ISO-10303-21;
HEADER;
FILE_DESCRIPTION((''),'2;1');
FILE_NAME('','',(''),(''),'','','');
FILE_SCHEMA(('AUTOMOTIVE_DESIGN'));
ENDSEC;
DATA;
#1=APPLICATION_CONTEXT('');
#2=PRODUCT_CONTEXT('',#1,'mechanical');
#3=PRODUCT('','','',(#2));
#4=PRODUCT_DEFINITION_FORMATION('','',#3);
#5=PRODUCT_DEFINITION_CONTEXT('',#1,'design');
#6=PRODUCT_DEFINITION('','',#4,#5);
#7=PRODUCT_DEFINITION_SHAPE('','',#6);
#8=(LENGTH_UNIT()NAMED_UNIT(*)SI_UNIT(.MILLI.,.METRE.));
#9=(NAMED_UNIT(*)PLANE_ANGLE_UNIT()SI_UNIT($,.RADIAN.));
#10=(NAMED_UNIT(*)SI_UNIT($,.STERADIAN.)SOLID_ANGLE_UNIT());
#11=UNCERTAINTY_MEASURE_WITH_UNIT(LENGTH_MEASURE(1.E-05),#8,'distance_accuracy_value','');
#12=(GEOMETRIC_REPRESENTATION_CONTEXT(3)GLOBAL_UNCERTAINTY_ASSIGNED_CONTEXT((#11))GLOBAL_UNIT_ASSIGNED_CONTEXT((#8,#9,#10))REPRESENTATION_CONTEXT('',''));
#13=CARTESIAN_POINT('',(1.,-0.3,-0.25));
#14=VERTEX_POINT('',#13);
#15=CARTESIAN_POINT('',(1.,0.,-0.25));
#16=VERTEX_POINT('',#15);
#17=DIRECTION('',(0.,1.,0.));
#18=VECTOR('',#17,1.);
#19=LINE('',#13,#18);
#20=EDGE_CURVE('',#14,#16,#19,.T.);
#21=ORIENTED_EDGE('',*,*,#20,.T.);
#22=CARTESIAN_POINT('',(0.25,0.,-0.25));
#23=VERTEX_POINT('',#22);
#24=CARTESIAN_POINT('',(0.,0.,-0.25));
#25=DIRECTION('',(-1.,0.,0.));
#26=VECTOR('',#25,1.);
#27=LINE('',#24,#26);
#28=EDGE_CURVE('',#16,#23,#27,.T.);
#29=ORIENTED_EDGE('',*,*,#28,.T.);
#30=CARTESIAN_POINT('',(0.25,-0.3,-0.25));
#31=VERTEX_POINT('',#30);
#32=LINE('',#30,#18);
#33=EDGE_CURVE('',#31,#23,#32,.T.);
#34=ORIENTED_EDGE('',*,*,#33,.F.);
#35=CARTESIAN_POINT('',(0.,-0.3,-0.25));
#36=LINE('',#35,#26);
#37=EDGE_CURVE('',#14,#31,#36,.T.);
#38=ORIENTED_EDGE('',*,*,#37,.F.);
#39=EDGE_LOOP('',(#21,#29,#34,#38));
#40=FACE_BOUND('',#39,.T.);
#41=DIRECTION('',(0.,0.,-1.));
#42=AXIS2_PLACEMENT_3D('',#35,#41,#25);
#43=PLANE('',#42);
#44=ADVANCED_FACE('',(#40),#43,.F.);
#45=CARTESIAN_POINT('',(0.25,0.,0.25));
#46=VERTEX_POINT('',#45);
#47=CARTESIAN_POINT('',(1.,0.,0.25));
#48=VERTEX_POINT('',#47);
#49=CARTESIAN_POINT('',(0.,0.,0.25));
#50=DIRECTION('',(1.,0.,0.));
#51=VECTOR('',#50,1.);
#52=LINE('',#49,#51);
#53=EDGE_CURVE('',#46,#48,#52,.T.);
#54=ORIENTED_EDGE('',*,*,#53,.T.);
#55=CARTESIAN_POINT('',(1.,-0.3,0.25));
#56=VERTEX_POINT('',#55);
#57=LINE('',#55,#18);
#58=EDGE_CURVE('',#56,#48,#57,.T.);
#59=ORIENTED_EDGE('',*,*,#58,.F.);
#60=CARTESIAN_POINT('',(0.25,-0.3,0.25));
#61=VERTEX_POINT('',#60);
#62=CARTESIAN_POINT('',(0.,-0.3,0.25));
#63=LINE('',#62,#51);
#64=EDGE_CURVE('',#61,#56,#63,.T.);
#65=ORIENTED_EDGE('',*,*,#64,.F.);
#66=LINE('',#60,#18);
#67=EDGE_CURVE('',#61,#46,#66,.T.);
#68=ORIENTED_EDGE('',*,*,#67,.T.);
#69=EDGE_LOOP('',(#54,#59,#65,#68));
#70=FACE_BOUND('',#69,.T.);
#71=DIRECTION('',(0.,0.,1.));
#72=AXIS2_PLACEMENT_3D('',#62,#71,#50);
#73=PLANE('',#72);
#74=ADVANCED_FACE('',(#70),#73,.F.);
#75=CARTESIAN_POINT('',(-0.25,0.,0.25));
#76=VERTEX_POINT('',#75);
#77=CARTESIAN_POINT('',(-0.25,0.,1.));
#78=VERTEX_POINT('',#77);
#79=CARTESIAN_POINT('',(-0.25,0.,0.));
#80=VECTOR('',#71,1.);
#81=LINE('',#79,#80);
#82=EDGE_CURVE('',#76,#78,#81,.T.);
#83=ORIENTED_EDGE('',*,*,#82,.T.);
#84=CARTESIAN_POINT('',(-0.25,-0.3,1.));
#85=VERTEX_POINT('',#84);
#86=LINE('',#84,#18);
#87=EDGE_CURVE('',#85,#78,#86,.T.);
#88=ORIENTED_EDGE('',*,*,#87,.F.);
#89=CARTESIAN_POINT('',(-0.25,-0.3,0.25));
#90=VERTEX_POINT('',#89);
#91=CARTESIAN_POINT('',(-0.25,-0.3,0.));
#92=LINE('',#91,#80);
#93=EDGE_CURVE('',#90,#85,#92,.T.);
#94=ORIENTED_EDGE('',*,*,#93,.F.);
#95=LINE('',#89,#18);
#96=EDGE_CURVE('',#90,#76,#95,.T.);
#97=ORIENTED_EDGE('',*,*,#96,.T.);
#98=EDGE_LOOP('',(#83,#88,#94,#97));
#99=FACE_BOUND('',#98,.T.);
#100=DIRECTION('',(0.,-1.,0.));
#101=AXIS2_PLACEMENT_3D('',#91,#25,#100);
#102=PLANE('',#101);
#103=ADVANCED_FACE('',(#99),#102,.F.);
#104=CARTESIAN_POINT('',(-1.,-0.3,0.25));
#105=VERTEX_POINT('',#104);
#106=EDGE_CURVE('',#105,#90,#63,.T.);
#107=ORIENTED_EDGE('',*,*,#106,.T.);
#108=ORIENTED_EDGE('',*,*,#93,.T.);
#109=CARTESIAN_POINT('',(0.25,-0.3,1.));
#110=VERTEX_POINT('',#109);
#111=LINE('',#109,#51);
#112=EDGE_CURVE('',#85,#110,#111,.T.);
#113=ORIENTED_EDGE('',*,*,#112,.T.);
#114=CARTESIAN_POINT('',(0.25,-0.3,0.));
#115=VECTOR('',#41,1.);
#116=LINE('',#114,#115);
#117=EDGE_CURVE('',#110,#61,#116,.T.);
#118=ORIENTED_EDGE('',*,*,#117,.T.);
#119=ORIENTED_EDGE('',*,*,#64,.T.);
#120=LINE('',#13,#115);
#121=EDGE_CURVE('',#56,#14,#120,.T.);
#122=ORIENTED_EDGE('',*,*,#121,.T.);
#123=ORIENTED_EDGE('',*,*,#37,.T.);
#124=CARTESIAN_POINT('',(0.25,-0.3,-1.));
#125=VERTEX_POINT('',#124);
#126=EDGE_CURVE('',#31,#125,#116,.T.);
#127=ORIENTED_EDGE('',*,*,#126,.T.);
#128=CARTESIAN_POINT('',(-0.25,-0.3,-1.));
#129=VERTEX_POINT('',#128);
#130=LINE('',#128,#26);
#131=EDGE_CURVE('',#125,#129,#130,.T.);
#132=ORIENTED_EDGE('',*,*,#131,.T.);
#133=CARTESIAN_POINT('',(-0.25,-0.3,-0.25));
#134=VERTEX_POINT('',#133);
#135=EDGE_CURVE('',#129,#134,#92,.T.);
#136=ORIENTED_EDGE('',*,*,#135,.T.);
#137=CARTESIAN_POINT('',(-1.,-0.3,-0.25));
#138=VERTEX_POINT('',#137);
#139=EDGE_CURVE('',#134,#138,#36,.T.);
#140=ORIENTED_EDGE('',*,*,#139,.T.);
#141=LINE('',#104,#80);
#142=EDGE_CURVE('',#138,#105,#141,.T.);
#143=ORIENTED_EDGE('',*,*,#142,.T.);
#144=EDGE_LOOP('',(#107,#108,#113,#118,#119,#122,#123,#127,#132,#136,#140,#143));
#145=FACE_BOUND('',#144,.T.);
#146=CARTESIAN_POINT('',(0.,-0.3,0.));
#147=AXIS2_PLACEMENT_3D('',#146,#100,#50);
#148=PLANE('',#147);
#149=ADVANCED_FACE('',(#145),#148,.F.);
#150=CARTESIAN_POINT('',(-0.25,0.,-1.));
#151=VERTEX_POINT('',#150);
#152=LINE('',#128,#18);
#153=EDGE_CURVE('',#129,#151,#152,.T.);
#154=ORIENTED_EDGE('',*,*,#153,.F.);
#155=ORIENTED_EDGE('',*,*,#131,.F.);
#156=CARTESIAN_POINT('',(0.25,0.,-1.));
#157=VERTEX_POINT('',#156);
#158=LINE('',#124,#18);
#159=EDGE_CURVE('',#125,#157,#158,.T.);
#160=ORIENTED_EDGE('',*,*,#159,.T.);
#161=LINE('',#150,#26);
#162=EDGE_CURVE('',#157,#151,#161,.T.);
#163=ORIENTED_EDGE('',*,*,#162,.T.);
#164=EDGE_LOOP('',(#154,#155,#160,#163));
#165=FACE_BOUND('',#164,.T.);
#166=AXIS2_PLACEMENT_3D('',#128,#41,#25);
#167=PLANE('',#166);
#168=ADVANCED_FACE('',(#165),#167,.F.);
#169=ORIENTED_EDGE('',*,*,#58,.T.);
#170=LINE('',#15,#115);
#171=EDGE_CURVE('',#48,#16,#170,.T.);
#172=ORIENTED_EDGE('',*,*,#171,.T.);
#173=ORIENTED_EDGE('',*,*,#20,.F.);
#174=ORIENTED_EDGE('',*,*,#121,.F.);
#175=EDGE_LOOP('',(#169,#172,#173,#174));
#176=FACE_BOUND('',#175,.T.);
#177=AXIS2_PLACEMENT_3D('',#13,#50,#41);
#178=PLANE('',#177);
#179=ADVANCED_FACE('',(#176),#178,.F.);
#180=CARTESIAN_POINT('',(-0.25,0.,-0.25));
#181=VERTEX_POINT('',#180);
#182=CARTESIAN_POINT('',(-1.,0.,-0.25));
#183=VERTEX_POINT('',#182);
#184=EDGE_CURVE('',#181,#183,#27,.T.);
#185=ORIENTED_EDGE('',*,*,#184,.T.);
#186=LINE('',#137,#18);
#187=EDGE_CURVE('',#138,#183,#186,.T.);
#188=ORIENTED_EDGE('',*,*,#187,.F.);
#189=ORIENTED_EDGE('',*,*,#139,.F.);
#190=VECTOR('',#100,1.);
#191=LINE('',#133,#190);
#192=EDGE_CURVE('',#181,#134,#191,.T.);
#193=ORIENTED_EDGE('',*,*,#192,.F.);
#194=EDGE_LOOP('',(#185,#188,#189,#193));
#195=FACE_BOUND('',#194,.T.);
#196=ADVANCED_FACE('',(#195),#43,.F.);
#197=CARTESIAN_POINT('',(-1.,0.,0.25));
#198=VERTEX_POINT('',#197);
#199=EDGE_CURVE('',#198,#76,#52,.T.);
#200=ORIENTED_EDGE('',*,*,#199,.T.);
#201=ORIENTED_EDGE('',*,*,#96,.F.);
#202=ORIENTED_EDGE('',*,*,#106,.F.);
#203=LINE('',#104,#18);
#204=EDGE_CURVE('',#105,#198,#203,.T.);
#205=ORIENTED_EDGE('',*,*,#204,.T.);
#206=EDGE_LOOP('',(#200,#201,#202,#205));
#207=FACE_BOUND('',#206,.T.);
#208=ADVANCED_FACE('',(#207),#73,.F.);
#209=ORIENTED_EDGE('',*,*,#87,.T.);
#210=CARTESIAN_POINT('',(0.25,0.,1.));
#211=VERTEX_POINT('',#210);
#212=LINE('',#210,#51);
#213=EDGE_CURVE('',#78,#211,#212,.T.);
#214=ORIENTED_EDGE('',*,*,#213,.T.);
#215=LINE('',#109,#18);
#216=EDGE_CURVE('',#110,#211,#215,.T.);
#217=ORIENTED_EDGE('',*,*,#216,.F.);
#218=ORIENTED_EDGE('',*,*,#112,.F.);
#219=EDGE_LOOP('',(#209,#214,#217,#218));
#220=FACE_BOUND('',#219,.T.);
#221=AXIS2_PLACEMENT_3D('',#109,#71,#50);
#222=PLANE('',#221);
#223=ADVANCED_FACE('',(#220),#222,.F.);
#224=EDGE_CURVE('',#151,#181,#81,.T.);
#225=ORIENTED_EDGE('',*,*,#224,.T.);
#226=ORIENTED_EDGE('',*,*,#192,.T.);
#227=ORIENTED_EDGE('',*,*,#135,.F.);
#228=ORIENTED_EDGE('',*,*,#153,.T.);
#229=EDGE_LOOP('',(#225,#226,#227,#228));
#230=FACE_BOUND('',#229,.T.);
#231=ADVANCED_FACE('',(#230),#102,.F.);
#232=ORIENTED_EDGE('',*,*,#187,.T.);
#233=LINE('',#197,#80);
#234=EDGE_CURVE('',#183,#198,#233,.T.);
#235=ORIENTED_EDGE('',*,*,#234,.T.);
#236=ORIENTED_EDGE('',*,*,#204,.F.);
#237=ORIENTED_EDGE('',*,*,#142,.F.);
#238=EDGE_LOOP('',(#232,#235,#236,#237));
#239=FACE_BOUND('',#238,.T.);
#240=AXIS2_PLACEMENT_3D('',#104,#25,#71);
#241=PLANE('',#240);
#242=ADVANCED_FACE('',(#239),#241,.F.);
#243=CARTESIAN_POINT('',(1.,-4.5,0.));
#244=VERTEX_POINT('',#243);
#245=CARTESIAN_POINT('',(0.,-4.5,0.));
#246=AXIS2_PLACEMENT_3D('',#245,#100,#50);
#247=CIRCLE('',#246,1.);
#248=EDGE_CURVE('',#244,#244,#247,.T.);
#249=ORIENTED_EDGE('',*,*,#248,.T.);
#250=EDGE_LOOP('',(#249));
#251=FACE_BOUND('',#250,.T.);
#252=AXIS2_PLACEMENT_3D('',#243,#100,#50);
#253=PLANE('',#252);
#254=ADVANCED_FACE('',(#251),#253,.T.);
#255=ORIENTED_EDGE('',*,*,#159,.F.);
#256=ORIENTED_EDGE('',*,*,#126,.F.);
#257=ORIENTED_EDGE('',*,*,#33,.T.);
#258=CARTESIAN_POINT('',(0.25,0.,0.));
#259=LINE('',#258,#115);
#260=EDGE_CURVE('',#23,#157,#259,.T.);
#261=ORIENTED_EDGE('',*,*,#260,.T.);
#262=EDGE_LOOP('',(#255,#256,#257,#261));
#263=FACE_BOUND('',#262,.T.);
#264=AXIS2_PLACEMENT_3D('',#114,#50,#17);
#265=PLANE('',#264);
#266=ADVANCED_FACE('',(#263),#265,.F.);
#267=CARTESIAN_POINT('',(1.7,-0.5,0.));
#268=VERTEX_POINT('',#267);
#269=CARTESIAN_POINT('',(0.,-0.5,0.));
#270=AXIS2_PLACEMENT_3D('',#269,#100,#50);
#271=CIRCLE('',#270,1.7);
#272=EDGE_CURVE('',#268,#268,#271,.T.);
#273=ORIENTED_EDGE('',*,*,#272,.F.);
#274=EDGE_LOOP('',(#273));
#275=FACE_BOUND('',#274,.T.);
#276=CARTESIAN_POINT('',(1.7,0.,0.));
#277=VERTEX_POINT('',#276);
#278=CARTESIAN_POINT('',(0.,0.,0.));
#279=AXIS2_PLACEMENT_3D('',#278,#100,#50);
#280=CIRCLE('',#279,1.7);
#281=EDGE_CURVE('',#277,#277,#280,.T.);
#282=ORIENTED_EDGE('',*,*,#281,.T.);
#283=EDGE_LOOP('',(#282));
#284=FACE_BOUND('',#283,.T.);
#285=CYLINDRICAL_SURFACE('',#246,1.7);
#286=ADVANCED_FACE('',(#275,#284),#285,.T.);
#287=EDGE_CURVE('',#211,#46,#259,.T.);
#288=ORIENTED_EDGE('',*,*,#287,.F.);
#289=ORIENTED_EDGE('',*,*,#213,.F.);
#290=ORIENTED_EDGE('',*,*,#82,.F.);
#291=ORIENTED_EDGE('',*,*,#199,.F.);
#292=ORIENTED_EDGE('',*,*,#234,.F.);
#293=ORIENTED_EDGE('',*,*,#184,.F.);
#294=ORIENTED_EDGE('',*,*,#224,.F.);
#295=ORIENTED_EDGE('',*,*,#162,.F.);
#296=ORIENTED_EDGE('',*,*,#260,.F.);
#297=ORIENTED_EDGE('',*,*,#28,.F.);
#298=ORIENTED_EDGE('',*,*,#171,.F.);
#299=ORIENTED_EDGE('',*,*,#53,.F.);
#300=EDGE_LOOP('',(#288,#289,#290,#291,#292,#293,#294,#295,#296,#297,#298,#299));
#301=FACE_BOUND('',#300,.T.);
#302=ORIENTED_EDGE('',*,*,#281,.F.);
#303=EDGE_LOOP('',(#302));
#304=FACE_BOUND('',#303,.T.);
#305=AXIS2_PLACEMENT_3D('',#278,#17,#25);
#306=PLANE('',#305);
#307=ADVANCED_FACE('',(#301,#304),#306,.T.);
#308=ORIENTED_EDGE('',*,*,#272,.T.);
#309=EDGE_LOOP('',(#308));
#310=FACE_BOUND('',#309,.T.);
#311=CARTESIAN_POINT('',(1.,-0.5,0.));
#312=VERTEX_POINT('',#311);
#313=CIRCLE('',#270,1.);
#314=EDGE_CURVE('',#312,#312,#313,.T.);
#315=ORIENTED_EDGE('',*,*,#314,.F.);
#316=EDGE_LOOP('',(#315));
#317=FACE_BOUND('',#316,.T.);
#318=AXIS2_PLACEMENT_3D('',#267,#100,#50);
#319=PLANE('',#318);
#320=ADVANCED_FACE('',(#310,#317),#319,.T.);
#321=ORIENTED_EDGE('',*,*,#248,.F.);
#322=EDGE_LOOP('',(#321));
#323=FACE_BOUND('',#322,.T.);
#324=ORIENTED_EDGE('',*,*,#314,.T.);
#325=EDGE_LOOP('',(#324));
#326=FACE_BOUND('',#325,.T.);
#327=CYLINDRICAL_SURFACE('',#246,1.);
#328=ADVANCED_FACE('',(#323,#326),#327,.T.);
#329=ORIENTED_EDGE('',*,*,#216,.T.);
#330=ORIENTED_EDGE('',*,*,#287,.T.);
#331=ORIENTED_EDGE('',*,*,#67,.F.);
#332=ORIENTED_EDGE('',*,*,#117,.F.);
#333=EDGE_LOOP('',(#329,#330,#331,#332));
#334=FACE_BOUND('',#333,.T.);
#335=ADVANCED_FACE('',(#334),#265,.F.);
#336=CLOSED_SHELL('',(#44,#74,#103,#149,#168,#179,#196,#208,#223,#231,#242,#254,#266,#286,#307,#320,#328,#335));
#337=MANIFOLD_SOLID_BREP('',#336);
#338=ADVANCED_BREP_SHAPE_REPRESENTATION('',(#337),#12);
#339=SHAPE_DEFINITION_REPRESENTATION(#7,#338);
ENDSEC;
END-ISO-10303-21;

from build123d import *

# Parameters (mm, degrees)
SKETCH_2_W               = 0.5
SKETCH_2_H               = 1
CUT_EXTRUDE_1_DEPTH      = 0.3
PATTERN_CIRCULAR_1_COUNT = 4


with BuildPart() as part:
    # ｽｹｯﾁ1 → 回転1 (revolve)
    with BuildSketch(Plane.XY):
        Polygon((0, 0), (1.7, 0), (1.7, -0.5), (1, -0.5), (1, -4.5), (0, -4.5), align=None)
    revolve(axis=Axis((0, -4.5, 0), (0, 1, 0)))

    # ｽｹｯﾁ2 → ｶｯﾄ - 押し出し1 (cut)
    with BuildSketch(Plane(origin=(0, 0, 0), x_dir=(1, 0, 0), z_dir=(0, 1, 0))):
        with Locations((0, 0.5)):
            Rectangle(SKETCH_2_W, SKETCH_2_H)
    cut_extrude_1 = extrude(amount=-CUT_EXTRUDE_1_DEPTH, mode=Mode.SUBTRACT)

    # 円形ﾊﾟﾀｰﾝ1: ｶｯﾄ - 押し出し1 ×4 about axis
    pattern_circular_1_axis = Axis((0, 0, 0), (0, 1, 0))
    for i in range(1, PATTERN_CIRCULAR_1_COUNT):
        add(cut_extrude_1.rotate(pattern_circular_1_axis, i * 360 / PATTERN_CIRCULAR_1_COUNT), mode=Mode.SUBTRACT)


solid = part.part
